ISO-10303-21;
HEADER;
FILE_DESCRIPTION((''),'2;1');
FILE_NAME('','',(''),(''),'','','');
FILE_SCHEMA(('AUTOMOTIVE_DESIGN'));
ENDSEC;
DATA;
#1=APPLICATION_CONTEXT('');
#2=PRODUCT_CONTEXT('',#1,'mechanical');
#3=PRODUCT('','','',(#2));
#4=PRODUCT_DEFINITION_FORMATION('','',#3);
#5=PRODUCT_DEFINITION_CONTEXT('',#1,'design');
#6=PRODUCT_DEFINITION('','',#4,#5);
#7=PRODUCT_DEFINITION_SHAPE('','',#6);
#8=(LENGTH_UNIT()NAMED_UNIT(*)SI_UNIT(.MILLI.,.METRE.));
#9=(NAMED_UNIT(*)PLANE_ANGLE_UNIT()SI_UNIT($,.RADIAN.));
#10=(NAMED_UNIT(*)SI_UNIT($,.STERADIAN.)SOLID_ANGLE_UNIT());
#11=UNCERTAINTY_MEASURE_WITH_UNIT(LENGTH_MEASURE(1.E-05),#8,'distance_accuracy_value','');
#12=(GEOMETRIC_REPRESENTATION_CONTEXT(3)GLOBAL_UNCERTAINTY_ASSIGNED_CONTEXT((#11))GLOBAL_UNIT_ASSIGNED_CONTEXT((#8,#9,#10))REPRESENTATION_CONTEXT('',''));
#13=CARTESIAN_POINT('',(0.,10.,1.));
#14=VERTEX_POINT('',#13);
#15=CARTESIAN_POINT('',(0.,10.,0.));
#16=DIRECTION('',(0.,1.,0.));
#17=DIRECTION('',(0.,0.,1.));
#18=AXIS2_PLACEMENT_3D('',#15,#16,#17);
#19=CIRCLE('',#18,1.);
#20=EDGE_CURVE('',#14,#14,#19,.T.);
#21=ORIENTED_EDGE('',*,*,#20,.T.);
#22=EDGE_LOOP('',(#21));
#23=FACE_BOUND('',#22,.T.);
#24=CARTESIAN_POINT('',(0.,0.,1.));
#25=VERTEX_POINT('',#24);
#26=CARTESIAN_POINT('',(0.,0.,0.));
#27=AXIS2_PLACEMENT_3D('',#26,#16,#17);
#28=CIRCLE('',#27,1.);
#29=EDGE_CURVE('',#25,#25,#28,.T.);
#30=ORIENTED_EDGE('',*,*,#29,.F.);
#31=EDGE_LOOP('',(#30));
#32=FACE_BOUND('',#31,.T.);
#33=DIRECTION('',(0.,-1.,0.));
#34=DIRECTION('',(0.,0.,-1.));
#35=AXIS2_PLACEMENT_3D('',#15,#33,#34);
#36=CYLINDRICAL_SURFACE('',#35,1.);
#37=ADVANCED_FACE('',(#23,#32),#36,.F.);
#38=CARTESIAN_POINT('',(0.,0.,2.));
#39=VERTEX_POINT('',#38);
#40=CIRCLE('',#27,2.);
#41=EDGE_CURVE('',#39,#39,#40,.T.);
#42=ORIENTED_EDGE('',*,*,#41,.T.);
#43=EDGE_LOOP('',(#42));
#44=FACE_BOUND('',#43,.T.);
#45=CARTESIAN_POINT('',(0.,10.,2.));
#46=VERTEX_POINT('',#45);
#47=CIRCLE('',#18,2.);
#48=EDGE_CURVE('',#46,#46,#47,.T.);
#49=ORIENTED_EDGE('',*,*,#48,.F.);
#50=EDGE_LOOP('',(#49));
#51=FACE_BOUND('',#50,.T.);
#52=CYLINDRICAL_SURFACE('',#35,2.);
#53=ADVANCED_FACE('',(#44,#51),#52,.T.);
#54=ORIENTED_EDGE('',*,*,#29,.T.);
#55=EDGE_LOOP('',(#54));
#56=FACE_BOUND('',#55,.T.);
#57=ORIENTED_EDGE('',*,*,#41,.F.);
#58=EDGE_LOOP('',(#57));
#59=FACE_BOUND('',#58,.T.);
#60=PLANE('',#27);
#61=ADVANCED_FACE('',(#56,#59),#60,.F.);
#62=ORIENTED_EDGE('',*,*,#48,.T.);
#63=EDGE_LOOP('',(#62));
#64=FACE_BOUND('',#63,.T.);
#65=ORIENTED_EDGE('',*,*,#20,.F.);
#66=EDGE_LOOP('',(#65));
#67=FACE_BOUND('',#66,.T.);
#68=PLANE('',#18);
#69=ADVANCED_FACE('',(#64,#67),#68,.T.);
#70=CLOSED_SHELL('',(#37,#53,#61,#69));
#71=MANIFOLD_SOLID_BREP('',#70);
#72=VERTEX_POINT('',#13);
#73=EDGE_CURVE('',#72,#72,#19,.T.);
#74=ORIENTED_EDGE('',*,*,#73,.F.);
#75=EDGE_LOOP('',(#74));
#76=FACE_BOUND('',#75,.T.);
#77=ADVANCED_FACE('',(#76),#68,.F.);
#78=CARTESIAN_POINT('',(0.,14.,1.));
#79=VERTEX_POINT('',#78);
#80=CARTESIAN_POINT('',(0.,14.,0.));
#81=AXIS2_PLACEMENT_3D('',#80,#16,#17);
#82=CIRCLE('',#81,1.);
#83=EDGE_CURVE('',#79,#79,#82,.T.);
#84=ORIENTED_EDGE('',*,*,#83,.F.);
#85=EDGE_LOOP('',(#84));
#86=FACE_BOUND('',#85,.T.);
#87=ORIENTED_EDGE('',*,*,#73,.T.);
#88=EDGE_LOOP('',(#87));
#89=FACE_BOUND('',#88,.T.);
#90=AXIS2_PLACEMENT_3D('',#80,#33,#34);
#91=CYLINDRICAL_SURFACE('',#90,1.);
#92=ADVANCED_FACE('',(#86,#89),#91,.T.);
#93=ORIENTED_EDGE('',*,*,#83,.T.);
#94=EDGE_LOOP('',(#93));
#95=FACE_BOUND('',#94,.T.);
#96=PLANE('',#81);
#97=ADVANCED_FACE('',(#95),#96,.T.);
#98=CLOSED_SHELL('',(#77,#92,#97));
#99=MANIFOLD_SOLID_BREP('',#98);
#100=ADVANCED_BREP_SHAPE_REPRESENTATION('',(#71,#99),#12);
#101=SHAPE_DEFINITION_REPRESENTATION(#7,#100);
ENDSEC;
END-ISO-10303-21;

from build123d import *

# Parameters (mm, degrees)
SKETCH1_R           = 2
SKETCH1_R_2         = 1
BOSS_EXTRUDE1_DEPTH = 10
SKETCH2_R           = 1
BOSS_EXTRUDE2_DEPTH = 4


with BuildPart() as part:
    # Sketch1 → Boss-Extrude1 (new body)
    with BuildSketch(Plane(origin=(0, 0, 0), x_dir=(1, 0, 0), z_dir=(0, 1, 0))):
        with Locations(Location((0, 0, 0), (0, 0, 270))):
            Circle(SKETCH1_R)
        with Locations(Location((0, 0, 0), (0, 0, 270))):
            Circle(SKETCH1_R_2, mode=Mode.SUBTRACT)
    extrude(amount=BOSS_EXTRUDE1_DEPTH)


with BuildPart() as body_2:
    # Sketch2 → Boss-Extrude2 (new body)
    with BuildSketch(Plane(origin=(0, 10, 0), x_dir=(1, 0, 0), z_dir=(0, 1, 0))):
        with Locations(Location((0, 0, 0), (0, 0, 270))):
            Circle(SKETCH2_R)
    extrude(amount=BOSS_EXTRUDE2_DEPTH)


solid = Compound([part.part, body_2.part])
